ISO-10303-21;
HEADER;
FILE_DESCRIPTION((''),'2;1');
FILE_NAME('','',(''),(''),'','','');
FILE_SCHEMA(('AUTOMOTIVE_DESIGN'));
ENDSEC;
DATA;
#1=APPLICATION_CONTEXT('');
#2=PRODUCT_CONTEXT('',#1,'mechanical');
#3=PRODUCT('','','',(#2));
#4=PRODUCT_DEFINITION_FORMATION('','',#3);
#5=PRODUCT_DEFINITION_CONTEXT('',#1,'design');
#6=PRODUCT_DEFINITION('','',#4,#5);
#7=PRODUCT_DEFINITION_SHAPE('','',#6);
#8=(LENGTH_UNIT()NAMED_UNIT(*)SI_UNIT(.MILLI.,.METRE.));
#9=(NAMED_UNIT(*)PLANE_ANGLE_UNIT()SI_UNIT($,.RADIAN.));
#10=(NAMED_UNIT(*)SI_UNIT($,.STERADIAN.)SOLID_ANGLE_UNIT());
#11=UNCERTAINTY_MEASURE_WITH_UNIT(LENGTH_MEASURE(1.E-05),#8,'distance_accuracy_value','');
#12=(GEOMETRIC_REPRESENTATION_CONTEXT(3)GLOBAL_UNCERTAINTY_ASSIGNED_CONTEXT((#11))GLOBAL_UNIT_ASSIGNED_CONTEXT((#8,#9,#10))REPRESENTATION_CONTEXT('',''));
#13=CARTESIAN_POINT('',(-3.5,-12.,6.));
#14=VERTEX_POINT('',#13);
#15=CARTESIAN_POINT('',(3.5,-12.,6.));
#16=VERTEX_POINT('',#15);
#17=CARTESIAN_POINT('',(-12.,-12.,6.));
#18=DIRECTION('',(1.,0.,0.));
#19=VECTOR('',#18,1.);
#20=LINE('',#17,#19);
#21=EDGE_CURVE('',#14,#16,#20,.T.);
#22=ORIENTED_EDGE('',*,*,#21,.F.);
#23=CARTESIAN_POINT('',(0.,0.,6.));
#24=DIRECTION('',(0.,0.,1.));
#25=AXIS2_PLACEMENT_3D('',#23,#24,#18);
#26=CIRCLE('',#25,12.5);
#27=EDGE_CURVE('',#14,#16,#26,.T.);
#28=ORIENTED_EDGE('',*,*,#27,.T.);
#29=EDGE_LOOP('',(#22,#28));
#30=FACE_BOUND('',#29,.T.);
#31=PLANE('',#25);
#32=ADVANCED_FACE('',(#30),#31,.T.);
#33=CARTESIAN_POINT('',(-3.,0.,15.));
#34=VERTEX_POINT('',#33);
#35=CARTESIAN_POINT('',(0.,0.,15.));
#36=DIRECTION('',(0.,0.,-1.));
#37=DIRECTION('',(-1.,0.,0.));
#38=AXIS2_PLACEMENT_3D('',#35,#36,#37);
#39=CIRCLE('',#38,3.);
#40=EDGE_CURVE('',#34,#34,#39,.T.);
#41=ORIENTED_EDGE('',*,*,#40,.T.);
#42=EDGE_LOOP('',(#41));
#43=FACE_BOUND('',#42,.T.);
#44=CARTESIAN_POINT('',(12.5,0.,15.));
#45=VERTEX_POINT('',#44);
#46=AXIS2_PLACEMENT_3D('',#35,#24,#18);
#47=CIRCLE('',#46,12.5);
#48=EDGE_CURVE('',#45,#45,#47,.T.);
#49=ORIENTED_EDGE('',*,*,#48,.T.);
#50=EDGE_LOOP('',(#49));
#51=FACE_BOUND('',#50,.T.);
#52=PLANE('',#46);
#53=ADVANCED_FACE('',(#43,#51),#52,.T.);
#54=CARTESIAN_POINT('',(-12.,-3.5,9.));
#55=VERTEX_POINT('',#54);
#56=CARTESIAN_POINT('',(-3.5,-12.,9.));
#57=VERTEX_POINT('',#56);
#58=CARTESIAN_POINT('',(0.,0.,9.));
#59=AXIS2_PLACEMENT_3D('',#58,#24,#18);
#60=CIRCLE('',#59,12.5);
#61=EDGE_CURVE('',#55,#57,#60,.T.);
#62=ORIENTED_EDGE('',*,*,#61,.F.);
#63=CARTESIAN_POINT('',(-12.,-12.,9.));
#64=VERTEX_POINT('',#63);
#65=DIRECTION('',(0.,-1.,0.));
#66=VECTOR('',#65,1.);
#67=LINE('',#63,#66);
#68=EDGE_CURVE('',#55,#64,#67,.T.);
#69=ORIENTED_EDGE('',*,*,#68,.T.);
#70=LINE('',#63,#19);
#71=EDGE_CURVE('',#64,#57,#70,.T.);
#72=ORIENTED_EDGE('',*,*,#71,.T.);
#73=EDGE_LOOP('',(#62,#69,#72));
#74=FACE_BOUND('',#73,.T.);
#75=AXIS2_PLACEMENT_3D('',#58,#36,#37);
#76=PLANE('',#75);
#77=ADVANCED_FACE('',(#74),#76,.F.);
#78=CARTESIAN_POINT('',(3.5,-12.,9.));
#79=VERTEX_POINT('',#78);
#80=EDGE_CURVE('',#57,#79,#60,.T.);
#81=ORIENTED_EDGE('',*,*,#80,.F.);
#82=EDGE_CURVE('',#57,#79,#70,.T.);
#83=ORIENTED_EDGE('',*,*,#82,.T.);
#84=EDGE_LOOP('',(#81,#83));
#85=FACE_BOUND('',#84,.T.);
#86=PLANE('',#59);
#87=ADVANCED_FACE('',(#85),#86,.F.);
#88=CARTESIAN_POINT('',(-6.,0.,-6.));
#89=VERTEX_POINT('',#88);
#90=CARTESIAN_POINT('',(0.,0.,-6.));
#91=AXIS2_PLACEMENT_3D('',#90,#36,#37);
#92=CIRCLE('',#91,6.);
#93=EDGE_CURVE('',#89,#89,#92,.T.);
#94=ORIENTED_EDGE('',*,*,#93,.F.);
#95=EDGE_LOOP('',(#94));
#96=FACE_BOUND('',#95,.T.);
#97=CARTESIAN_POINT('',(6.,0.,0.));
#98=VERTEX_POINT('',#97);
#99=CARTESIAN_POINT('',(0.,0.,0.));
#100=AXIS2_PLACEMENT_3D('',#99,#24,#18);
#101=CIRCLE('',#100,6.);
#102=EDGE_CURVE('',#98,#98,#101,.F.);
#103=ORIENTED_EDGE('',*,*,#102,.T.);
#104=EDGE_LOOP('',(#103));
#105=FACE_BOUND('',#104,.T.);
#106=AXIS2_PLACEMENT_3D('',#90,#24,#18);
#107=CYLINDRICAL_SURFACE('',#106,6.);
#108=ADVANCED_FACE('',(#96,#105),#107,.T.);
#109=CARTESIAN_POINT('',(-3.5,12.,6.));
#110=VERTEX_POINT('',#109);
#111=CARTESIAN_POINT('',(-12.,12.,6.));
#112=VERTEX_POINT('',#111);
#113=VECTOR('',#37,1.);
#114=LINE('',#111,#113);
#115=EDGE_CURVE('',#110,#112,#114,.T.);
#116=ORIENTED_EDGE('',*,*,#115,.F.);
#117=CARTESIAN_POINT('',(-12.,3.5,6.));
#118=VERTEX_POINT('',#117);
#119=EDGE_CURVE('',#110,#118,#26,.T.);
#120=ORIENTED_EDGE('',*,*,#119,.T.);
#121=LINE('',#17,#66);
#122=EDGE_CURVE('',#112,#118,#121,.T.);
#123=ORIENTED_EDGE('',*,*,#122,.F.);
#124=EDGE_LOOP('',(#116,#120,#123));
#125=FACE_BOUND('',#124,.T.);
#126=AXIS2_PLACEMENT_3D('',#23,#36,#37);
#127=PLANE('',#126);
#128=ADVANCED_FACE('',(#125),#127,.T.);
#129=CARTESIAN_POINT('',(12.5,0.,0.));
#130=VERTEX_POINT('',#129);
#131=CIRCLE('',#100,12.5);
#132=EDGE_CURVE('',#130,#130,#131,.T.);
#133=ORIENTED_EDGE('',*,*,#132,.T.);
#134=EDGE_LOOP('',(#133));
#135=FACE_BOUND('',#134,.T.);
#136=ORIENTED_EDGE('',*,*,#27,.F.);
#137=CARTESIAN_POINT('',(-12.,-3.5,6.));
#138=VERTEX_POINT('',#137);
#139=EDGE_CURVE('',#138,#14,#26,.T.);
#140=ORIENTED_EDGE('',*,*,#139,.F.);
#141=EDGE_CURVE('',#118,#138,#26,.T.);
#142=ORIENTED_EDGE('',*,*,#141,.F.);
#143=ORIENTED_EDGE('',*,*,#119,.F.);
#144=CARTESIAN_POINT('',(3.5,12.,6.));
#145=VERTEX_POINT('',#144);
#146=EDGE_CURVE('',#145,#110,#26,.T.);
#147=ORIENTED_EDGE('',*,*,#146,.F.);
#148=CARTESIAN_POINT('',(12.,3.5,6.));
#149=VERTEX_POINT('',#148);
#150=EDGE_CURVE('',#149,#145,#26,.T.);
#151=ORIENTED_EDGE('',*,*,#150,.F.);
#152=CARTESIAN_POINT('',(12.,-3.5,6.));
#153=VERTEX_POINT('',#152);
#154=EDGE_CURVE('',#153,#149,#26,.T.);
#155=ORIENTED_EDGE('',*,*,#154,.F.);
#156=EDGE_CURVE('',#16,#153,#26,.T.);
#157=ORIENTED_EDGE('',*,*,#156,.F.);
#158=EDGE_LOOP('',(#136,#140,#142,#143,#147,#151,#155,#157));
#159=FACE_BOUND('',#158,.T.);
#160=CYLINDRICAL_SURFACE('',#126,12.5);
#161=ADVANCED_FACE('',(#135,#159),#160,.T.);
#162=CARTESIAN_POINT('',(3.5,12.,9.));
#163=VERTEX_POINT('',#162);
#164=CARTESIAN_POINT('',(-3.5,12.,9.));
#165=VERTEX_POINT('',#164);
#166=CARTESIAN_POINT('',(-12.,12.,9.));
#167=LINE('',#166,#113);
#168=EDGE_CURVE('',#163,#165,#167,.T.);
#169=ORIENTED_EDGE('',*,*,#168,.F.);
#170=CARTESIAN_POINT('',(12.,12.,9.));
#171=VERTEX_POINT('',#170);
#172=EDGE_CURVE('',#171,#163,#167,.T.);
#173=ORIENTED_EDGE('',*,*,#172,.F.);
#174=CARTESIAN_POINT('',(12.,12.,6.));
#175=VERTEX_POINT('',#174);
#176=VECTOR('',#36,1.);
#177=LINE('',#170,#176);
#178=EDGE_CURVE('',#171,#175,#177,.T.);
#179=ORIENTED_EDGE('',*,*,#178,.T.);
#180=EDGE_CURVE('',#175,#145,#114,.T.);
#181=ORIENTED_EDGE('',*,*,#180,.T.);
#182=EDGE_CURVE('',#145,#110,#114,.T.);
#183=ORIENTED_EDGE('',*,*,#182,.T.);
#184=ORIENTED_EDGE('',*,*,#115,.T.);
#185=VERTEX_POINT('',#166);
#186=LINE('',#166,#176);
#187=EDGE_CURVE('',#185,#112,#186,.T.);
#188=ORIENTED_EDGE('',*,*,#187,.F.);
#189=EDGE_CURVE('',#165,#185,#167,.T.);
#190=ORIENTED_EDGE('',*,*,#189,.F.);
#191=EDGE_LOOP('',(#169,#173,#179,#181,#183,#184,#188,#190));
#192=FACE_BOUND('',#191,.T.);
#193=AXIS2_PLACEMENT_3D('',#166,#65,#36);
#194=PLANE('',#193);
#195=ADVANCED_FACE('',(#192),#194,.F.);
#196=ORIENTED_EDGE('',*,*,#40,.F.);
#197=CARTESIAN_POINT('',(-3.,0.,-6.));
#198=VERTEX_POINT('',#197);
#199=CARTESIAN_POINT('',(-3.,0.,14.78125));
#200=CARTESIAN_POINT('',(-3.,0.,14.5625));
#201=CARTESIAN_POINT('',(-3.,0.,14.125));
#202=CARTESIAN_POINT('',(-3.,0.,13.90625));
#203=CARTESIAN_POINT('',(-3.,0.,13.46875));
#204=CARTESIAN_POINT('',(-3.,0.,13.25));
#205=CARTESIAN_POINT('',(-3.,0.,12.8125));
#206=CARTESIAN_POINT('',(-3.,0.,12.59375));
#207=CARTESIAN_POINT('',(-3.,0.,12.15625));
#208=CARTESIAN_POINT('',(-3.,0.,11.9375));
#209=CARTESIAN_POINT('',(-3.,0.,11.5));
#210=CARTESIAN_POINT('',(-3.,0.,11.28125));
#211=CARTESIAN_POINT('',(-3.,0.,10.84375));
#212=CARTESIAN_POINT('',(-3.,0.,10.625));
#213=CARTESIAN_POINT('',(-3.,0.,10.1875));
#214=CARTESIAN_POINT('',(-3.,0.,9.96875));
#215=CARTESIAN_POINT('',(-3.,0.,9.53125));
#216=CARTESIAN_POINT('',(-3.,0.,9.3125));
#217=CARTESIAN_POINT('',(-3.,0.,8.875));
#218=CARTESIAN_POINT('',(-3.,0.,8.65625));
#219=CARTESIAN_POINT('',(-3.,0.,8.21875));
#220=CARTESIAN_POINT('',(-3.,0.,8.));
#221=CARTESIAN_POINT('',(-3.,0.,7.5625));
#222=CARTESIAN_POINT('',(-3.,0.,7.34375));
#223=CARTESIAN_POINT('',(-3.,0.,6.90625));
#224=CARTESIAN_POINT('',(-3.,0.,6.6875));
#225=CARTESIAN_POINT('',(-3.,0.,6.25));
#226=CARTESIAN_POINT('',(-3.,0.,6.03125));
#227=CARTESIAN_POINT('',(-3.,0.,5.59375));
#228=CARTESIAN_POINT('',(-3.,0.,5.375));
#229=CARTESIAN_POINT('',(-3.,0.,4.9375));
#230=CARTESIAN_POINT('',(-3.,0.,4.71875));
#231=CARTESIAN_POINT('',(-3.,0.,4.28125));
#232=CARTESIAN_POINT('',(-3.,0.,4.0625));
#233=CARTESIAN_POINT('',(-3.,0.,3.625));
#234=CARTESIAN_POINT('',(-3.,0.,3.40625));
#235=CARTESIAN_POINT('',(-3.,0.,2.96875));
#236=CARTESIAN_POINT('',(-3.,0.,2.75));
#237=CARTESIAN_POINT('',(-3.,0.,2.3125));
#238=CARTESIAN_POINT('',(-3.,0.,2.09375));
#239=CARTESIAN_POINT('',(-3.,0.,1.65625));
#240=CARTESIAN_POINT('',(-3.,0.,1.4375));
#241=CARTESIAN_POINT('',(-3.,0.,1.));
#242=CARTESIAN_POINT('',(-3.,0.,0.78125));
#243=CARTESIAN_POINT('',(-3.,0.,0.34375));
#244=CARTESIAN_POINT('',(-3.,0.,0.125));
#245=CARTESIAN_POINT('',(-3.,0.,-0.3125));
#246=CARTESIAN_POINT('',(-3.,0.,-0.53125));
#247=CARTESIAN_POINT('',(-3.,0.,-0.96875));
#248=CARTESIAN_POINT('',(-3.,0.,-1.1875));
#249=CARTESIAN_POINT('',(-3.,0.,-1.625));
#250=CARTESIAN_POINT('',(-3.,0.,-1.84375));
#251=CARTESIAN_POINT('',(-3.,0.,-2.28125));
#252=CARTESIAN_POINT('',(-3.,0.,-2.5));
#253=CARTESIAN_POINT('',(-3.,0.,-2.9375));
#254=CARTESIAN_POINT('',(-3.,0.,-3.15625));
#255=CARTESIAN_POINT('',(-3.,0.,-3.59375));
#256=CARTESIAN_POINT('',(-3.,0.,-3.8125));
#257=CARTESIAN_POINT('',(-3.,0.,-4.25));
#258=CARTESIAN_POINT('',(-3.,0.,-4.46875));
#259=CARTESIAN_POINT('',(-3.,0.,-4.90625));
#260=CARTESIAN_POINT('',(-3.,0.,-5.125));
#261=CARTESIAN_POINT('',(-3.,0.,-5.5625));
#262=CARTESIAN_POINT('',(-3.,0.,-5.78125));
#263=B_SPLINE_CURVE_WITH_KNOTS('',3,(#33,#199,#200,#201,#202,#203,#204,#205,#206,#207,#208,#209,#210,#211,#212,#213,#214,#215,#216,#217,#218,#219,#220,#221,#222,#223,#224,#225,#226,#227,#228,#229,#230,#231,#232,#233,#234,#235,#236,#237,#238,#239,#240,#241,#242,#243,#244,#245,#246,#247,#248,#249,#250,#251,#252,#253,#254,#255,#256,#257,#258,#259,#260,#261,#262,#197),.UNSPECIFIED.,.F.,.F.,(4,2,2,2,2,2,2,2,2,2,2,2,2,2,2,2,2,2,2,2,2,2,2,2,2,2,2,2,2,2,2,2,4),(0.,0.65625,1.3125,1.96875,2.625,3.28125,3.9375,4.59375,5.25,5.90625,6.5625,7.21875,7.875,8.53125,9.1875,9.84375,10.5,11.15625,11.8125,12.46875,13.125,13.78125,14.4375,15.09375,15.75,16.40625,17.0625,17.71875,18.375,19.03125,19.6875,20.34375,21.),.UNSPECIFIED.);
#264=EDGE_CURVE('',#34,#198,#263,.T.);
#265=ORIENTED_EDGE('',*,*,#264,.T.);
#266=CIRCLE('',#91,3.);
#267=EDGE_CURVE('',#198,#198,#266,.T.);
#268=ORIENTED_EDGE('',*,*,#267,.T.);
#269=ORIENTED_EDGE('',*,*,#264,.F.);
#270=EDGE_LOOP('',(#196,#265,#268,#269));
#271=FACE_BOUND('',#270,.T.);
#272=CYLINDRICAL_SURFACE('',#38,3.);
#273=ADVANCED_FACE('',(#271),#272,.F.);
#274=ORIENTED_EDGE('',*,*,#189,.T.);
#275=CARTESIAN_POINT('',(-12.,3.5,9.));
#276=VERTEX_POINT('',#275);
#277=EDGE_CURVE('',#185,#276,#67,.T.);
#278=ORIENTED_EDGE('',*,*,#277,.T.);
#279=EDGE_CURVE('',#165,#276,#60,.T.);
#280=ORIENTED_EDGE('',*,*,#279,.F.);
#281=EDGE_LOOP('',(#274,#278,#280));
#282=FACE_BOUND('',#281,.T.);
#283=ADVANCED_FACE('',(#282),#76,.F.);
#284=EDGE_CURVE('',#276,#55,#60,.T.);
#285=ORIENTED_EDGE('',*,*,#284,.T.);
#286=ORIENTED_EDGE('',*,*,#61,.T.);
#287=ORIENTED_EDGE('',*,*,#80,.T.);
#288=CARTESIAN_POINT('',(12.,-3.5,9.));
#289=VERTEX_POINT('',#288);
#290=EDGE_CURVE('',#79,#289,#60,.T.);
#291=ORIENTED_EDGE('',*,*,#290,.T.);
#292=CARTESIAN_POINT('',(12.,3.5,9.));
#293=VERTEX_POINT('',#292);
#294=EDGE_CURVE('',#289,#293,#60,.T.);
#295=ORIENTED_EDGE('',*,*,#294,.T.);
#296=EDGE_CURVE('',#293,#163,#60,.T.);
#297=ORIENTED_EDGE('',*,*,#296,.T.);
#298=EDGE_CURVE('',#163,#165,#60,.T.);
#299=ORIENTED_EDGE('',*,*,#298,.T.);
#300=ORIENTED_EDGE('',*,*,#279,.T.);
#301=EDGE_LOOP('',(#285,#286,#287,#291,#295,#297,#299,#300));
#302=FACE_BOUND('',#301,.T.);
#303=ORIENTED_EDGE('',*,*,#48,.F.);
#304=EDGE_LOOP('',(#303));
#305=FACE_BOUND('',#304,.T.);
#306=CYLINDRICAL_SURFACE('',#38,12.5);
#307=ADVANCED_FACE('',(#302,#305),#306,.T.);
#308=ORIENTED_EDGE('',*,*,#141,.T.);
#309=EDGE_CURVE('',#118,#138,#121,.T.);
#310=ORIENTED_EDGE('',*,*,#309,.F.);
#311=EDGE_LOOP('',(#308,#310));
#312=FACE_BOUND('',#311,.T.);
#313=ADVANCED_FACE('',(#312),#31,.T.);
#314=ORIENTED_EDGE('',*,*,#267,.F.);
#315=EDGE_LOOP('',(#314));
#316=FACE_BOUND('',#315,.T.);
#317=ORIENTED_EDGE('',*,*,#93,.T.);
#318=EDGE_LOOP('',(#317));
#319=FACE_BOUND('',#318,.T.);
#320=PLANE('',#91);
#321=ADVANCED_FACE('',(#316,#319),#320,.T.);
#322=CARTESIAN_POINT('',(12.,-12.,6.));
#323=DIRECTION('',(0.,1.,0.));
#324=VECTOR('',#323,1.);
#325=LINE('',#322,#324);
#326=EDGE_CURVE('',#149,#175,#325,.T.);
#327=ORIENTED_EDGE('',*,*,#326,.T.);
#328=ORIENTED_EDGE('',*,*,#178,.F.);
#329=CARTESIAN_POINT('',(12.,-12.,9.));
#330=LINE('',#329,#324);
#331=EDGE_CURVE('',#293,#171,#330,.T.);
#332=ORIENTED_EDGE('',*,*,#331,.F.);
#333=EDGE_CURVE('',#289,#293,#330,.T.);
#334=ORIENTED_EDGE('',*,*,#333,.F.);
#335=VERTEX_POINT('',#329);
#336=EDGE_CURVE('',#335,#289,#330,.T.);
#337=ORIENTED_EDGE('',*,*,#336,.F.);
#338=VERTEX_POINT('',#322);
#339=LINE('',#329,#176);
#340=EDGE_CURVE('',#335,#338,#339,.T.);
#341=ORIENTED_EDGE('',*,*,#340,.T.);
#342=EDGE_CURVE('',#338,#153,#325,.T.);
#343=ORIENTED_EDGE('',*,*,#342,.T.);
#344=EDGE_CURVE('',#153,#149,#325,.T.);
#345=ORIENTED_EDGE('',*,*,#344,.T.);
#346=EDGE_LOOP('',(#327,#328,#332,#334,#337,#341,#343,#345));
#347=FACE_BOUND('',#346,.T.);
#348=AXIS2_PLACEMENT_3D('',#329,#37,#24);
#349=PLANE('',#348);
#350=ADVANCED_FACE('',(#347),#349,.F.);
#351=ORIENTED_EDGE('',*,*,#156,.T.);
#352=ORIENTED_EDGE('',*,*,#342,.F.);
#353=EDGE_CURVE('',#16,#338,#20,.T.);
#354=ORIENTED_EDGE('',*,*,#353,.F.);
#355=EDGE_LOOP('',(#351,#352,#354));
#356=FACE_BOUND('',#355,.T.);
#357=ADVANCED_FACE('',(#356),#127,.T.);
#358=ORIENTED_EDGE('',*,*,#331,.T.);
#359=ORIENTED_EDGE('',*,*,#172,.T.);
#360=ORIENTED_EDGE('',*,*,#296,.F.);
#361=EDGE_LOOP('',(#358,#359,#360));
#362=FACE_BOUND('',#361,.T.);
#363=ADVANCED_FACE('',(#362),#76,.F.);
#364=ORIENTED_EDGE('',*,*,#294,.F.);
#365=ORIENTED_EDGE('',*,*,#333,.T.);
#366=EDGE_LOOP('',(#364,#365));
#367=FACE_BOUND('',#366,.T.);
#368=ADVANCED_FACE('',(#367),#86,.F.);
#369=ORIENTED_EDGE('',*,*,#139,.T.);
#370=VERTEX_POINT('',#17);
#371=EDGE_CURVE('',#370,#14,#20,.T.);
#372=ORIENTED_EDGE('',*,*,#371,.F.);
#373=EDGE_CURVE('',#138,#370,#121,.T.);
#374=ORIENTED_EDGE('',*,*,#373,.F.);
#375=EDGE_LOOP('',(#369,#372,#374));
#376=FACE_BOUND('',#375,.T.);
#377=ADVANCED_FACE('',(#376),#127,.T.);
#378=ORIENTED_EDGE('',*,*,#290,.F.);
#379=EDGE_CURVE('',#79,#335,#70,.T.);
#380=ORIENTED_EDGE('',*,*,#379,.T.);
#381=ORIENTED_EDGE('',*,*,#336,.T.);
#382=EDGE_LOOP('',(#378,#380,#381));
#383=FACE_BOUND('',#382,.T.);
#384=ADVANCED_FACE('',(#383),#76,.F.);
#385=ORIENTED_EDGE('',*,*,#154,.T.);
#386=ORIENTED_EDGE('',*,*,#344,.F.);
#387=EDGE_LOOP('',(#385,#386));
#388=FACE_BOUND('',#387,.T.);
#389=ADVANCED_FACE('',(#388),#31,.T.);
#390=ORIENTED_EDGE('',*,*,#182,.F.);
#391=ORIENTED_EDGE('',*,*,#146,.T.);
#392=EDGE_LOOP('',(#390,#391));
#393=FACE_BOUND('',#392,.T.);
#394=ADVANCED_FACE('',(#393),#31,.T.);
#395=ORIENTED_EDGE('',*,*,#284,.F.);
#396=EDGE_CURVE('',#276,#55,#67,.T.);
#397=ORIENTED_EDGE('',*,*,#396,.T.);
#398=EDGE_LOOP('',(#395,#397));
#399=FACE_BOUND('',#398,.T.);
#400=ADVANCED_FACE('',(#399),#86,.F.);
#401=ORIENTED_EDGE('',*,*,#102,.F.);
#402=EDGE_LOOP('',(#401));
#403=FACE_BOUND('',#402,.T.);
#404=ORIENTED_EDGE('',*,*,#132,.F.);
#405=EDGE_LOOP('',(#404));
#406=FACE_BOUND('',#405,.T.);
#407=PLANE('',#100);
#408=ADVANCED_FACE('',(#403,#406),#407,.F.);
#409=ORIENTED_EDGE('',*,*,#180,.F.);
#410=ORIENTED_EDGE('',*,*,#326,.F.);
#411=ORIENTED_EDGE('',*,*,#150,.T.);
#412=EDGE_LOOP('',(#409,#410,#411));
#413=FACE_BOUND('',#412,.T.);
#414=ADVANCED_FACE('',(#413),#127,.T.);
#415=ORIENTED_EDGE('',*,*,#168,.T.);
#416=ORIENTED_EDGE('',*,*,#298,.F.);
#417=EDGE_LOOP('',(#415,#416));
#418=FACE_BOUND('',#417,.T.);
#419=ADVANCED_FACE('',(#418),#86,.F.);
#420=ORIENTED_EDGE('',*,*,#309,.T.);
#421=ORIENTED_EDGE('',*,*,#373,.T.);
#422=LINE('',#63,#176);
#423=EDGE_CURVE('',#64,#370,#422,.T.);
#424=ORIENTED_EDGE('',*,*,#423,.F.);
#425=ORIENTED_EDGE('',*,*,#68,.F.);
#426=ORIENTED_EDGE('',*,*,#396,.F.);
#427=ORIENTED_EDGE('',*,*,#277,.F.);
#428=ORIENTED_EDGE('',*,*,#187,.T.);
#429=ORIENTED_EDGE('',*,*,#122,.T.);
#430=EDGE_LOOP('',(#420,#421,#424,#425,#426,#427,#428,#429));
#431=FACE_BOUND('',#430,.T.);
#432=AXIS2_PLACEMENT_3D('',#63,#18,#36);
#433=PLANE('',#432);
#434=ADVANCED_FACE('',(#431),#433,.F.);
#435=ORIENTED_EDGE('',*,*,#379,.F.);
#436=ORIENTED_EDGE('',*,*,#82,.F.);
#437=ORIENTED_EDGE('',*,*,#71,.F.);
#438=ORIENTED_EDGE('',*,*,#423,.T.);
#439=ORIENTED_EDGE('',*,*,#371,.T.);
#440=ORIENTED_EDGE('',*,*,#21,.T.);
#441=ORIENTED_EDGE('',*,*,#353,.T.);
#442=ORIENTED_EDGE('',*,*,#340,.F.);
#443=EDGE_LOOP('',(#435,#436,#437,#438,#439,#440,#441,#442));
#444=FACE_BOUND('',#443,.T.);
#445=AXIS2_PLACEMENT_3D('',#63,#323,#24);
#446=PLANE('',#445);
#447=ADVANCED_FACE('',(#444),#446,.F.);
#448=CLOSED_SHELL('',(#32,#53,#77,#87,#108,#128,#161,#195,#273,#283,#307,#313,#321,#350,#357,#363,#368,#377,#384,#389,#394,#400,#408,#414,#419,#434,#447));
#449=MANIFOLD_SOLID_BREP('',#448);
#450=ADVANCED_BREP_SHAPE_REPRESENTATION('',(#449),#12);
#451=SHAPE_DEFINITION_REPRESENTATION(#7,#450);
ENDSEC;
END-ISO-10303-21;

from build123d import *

# Parameters (mm, degrees)
SKETCH_1_R          = 12.5
EXTRUDE_1_DEPTH     = 6
SKETCH_2_R          = 6
EXTRUDE_2_DEPTH     = 6
SKETCH_3_W          = 24
SKETCH_3_H          = 24
EXTRUDE_3_DEPTH     = 3
SKETCH_4_R          = 12.5
EXTRUDE_4_DEPTH     = 6
SKETCH_937_R        = 3
CUT_EXTRUDE_1_DEPTH = 28.449954463


with BuildPart() as part:
    # Эскиз1 → Бобышка-Вытянуть1 (new body)
    with BuildSketch(Plane.XY):
        Circle(SKETCH_1_R)
    extrude(amount=EXTRUDE_1_DEPTH)

    # Эскиз2 → Бобышка-Вытянуть2 (add)
    with BuildSketch(Plane(origin=(0, 0, 0), x_dir=(-1, 0, 0), z_dir=(0, 0, -1))):
        with Locations(Location((0, 0, 0), (0, 0, 180))):
            Circle(SKETCH_2_R)
    extrude(amount=EXTRUDE_2_DEPTH)

    # Эскиз3 → Бобышка-Вытянуть3 (add)
    with BuildSketch(Plane.XY.offset(6)):
        Rectangle(SKETCH_3_W, SKETCH_3_H)
    extrude(amount=EXTRUDE_3_DEPTH)

    # Эскиз4 → Бобышка-Вытянуть4 (add)
    with BuildSketch(Plane.XY.offset(9)):
        with Locations(Location((0, 0, 0), (0, 0, 196.260204708))):
            Circle(SKETCH_4_R)
    extrude(amount=EXTRUDE_4_DEPTH)

    # Sketch 937 → Вырез-Вытянуть1 (cut, through all)
    with BuildSketch(Plane(origin=(0, 0, -6), x_dir=(-1, 0, 0), z_dir=(0, 0, -1))):
        Circle(SKETCH_937_R)
    extrude(amount=-CUT_EXTRUDE_1_DEPTH, mode=Mode.SUBTRACT)


solid = part.part
